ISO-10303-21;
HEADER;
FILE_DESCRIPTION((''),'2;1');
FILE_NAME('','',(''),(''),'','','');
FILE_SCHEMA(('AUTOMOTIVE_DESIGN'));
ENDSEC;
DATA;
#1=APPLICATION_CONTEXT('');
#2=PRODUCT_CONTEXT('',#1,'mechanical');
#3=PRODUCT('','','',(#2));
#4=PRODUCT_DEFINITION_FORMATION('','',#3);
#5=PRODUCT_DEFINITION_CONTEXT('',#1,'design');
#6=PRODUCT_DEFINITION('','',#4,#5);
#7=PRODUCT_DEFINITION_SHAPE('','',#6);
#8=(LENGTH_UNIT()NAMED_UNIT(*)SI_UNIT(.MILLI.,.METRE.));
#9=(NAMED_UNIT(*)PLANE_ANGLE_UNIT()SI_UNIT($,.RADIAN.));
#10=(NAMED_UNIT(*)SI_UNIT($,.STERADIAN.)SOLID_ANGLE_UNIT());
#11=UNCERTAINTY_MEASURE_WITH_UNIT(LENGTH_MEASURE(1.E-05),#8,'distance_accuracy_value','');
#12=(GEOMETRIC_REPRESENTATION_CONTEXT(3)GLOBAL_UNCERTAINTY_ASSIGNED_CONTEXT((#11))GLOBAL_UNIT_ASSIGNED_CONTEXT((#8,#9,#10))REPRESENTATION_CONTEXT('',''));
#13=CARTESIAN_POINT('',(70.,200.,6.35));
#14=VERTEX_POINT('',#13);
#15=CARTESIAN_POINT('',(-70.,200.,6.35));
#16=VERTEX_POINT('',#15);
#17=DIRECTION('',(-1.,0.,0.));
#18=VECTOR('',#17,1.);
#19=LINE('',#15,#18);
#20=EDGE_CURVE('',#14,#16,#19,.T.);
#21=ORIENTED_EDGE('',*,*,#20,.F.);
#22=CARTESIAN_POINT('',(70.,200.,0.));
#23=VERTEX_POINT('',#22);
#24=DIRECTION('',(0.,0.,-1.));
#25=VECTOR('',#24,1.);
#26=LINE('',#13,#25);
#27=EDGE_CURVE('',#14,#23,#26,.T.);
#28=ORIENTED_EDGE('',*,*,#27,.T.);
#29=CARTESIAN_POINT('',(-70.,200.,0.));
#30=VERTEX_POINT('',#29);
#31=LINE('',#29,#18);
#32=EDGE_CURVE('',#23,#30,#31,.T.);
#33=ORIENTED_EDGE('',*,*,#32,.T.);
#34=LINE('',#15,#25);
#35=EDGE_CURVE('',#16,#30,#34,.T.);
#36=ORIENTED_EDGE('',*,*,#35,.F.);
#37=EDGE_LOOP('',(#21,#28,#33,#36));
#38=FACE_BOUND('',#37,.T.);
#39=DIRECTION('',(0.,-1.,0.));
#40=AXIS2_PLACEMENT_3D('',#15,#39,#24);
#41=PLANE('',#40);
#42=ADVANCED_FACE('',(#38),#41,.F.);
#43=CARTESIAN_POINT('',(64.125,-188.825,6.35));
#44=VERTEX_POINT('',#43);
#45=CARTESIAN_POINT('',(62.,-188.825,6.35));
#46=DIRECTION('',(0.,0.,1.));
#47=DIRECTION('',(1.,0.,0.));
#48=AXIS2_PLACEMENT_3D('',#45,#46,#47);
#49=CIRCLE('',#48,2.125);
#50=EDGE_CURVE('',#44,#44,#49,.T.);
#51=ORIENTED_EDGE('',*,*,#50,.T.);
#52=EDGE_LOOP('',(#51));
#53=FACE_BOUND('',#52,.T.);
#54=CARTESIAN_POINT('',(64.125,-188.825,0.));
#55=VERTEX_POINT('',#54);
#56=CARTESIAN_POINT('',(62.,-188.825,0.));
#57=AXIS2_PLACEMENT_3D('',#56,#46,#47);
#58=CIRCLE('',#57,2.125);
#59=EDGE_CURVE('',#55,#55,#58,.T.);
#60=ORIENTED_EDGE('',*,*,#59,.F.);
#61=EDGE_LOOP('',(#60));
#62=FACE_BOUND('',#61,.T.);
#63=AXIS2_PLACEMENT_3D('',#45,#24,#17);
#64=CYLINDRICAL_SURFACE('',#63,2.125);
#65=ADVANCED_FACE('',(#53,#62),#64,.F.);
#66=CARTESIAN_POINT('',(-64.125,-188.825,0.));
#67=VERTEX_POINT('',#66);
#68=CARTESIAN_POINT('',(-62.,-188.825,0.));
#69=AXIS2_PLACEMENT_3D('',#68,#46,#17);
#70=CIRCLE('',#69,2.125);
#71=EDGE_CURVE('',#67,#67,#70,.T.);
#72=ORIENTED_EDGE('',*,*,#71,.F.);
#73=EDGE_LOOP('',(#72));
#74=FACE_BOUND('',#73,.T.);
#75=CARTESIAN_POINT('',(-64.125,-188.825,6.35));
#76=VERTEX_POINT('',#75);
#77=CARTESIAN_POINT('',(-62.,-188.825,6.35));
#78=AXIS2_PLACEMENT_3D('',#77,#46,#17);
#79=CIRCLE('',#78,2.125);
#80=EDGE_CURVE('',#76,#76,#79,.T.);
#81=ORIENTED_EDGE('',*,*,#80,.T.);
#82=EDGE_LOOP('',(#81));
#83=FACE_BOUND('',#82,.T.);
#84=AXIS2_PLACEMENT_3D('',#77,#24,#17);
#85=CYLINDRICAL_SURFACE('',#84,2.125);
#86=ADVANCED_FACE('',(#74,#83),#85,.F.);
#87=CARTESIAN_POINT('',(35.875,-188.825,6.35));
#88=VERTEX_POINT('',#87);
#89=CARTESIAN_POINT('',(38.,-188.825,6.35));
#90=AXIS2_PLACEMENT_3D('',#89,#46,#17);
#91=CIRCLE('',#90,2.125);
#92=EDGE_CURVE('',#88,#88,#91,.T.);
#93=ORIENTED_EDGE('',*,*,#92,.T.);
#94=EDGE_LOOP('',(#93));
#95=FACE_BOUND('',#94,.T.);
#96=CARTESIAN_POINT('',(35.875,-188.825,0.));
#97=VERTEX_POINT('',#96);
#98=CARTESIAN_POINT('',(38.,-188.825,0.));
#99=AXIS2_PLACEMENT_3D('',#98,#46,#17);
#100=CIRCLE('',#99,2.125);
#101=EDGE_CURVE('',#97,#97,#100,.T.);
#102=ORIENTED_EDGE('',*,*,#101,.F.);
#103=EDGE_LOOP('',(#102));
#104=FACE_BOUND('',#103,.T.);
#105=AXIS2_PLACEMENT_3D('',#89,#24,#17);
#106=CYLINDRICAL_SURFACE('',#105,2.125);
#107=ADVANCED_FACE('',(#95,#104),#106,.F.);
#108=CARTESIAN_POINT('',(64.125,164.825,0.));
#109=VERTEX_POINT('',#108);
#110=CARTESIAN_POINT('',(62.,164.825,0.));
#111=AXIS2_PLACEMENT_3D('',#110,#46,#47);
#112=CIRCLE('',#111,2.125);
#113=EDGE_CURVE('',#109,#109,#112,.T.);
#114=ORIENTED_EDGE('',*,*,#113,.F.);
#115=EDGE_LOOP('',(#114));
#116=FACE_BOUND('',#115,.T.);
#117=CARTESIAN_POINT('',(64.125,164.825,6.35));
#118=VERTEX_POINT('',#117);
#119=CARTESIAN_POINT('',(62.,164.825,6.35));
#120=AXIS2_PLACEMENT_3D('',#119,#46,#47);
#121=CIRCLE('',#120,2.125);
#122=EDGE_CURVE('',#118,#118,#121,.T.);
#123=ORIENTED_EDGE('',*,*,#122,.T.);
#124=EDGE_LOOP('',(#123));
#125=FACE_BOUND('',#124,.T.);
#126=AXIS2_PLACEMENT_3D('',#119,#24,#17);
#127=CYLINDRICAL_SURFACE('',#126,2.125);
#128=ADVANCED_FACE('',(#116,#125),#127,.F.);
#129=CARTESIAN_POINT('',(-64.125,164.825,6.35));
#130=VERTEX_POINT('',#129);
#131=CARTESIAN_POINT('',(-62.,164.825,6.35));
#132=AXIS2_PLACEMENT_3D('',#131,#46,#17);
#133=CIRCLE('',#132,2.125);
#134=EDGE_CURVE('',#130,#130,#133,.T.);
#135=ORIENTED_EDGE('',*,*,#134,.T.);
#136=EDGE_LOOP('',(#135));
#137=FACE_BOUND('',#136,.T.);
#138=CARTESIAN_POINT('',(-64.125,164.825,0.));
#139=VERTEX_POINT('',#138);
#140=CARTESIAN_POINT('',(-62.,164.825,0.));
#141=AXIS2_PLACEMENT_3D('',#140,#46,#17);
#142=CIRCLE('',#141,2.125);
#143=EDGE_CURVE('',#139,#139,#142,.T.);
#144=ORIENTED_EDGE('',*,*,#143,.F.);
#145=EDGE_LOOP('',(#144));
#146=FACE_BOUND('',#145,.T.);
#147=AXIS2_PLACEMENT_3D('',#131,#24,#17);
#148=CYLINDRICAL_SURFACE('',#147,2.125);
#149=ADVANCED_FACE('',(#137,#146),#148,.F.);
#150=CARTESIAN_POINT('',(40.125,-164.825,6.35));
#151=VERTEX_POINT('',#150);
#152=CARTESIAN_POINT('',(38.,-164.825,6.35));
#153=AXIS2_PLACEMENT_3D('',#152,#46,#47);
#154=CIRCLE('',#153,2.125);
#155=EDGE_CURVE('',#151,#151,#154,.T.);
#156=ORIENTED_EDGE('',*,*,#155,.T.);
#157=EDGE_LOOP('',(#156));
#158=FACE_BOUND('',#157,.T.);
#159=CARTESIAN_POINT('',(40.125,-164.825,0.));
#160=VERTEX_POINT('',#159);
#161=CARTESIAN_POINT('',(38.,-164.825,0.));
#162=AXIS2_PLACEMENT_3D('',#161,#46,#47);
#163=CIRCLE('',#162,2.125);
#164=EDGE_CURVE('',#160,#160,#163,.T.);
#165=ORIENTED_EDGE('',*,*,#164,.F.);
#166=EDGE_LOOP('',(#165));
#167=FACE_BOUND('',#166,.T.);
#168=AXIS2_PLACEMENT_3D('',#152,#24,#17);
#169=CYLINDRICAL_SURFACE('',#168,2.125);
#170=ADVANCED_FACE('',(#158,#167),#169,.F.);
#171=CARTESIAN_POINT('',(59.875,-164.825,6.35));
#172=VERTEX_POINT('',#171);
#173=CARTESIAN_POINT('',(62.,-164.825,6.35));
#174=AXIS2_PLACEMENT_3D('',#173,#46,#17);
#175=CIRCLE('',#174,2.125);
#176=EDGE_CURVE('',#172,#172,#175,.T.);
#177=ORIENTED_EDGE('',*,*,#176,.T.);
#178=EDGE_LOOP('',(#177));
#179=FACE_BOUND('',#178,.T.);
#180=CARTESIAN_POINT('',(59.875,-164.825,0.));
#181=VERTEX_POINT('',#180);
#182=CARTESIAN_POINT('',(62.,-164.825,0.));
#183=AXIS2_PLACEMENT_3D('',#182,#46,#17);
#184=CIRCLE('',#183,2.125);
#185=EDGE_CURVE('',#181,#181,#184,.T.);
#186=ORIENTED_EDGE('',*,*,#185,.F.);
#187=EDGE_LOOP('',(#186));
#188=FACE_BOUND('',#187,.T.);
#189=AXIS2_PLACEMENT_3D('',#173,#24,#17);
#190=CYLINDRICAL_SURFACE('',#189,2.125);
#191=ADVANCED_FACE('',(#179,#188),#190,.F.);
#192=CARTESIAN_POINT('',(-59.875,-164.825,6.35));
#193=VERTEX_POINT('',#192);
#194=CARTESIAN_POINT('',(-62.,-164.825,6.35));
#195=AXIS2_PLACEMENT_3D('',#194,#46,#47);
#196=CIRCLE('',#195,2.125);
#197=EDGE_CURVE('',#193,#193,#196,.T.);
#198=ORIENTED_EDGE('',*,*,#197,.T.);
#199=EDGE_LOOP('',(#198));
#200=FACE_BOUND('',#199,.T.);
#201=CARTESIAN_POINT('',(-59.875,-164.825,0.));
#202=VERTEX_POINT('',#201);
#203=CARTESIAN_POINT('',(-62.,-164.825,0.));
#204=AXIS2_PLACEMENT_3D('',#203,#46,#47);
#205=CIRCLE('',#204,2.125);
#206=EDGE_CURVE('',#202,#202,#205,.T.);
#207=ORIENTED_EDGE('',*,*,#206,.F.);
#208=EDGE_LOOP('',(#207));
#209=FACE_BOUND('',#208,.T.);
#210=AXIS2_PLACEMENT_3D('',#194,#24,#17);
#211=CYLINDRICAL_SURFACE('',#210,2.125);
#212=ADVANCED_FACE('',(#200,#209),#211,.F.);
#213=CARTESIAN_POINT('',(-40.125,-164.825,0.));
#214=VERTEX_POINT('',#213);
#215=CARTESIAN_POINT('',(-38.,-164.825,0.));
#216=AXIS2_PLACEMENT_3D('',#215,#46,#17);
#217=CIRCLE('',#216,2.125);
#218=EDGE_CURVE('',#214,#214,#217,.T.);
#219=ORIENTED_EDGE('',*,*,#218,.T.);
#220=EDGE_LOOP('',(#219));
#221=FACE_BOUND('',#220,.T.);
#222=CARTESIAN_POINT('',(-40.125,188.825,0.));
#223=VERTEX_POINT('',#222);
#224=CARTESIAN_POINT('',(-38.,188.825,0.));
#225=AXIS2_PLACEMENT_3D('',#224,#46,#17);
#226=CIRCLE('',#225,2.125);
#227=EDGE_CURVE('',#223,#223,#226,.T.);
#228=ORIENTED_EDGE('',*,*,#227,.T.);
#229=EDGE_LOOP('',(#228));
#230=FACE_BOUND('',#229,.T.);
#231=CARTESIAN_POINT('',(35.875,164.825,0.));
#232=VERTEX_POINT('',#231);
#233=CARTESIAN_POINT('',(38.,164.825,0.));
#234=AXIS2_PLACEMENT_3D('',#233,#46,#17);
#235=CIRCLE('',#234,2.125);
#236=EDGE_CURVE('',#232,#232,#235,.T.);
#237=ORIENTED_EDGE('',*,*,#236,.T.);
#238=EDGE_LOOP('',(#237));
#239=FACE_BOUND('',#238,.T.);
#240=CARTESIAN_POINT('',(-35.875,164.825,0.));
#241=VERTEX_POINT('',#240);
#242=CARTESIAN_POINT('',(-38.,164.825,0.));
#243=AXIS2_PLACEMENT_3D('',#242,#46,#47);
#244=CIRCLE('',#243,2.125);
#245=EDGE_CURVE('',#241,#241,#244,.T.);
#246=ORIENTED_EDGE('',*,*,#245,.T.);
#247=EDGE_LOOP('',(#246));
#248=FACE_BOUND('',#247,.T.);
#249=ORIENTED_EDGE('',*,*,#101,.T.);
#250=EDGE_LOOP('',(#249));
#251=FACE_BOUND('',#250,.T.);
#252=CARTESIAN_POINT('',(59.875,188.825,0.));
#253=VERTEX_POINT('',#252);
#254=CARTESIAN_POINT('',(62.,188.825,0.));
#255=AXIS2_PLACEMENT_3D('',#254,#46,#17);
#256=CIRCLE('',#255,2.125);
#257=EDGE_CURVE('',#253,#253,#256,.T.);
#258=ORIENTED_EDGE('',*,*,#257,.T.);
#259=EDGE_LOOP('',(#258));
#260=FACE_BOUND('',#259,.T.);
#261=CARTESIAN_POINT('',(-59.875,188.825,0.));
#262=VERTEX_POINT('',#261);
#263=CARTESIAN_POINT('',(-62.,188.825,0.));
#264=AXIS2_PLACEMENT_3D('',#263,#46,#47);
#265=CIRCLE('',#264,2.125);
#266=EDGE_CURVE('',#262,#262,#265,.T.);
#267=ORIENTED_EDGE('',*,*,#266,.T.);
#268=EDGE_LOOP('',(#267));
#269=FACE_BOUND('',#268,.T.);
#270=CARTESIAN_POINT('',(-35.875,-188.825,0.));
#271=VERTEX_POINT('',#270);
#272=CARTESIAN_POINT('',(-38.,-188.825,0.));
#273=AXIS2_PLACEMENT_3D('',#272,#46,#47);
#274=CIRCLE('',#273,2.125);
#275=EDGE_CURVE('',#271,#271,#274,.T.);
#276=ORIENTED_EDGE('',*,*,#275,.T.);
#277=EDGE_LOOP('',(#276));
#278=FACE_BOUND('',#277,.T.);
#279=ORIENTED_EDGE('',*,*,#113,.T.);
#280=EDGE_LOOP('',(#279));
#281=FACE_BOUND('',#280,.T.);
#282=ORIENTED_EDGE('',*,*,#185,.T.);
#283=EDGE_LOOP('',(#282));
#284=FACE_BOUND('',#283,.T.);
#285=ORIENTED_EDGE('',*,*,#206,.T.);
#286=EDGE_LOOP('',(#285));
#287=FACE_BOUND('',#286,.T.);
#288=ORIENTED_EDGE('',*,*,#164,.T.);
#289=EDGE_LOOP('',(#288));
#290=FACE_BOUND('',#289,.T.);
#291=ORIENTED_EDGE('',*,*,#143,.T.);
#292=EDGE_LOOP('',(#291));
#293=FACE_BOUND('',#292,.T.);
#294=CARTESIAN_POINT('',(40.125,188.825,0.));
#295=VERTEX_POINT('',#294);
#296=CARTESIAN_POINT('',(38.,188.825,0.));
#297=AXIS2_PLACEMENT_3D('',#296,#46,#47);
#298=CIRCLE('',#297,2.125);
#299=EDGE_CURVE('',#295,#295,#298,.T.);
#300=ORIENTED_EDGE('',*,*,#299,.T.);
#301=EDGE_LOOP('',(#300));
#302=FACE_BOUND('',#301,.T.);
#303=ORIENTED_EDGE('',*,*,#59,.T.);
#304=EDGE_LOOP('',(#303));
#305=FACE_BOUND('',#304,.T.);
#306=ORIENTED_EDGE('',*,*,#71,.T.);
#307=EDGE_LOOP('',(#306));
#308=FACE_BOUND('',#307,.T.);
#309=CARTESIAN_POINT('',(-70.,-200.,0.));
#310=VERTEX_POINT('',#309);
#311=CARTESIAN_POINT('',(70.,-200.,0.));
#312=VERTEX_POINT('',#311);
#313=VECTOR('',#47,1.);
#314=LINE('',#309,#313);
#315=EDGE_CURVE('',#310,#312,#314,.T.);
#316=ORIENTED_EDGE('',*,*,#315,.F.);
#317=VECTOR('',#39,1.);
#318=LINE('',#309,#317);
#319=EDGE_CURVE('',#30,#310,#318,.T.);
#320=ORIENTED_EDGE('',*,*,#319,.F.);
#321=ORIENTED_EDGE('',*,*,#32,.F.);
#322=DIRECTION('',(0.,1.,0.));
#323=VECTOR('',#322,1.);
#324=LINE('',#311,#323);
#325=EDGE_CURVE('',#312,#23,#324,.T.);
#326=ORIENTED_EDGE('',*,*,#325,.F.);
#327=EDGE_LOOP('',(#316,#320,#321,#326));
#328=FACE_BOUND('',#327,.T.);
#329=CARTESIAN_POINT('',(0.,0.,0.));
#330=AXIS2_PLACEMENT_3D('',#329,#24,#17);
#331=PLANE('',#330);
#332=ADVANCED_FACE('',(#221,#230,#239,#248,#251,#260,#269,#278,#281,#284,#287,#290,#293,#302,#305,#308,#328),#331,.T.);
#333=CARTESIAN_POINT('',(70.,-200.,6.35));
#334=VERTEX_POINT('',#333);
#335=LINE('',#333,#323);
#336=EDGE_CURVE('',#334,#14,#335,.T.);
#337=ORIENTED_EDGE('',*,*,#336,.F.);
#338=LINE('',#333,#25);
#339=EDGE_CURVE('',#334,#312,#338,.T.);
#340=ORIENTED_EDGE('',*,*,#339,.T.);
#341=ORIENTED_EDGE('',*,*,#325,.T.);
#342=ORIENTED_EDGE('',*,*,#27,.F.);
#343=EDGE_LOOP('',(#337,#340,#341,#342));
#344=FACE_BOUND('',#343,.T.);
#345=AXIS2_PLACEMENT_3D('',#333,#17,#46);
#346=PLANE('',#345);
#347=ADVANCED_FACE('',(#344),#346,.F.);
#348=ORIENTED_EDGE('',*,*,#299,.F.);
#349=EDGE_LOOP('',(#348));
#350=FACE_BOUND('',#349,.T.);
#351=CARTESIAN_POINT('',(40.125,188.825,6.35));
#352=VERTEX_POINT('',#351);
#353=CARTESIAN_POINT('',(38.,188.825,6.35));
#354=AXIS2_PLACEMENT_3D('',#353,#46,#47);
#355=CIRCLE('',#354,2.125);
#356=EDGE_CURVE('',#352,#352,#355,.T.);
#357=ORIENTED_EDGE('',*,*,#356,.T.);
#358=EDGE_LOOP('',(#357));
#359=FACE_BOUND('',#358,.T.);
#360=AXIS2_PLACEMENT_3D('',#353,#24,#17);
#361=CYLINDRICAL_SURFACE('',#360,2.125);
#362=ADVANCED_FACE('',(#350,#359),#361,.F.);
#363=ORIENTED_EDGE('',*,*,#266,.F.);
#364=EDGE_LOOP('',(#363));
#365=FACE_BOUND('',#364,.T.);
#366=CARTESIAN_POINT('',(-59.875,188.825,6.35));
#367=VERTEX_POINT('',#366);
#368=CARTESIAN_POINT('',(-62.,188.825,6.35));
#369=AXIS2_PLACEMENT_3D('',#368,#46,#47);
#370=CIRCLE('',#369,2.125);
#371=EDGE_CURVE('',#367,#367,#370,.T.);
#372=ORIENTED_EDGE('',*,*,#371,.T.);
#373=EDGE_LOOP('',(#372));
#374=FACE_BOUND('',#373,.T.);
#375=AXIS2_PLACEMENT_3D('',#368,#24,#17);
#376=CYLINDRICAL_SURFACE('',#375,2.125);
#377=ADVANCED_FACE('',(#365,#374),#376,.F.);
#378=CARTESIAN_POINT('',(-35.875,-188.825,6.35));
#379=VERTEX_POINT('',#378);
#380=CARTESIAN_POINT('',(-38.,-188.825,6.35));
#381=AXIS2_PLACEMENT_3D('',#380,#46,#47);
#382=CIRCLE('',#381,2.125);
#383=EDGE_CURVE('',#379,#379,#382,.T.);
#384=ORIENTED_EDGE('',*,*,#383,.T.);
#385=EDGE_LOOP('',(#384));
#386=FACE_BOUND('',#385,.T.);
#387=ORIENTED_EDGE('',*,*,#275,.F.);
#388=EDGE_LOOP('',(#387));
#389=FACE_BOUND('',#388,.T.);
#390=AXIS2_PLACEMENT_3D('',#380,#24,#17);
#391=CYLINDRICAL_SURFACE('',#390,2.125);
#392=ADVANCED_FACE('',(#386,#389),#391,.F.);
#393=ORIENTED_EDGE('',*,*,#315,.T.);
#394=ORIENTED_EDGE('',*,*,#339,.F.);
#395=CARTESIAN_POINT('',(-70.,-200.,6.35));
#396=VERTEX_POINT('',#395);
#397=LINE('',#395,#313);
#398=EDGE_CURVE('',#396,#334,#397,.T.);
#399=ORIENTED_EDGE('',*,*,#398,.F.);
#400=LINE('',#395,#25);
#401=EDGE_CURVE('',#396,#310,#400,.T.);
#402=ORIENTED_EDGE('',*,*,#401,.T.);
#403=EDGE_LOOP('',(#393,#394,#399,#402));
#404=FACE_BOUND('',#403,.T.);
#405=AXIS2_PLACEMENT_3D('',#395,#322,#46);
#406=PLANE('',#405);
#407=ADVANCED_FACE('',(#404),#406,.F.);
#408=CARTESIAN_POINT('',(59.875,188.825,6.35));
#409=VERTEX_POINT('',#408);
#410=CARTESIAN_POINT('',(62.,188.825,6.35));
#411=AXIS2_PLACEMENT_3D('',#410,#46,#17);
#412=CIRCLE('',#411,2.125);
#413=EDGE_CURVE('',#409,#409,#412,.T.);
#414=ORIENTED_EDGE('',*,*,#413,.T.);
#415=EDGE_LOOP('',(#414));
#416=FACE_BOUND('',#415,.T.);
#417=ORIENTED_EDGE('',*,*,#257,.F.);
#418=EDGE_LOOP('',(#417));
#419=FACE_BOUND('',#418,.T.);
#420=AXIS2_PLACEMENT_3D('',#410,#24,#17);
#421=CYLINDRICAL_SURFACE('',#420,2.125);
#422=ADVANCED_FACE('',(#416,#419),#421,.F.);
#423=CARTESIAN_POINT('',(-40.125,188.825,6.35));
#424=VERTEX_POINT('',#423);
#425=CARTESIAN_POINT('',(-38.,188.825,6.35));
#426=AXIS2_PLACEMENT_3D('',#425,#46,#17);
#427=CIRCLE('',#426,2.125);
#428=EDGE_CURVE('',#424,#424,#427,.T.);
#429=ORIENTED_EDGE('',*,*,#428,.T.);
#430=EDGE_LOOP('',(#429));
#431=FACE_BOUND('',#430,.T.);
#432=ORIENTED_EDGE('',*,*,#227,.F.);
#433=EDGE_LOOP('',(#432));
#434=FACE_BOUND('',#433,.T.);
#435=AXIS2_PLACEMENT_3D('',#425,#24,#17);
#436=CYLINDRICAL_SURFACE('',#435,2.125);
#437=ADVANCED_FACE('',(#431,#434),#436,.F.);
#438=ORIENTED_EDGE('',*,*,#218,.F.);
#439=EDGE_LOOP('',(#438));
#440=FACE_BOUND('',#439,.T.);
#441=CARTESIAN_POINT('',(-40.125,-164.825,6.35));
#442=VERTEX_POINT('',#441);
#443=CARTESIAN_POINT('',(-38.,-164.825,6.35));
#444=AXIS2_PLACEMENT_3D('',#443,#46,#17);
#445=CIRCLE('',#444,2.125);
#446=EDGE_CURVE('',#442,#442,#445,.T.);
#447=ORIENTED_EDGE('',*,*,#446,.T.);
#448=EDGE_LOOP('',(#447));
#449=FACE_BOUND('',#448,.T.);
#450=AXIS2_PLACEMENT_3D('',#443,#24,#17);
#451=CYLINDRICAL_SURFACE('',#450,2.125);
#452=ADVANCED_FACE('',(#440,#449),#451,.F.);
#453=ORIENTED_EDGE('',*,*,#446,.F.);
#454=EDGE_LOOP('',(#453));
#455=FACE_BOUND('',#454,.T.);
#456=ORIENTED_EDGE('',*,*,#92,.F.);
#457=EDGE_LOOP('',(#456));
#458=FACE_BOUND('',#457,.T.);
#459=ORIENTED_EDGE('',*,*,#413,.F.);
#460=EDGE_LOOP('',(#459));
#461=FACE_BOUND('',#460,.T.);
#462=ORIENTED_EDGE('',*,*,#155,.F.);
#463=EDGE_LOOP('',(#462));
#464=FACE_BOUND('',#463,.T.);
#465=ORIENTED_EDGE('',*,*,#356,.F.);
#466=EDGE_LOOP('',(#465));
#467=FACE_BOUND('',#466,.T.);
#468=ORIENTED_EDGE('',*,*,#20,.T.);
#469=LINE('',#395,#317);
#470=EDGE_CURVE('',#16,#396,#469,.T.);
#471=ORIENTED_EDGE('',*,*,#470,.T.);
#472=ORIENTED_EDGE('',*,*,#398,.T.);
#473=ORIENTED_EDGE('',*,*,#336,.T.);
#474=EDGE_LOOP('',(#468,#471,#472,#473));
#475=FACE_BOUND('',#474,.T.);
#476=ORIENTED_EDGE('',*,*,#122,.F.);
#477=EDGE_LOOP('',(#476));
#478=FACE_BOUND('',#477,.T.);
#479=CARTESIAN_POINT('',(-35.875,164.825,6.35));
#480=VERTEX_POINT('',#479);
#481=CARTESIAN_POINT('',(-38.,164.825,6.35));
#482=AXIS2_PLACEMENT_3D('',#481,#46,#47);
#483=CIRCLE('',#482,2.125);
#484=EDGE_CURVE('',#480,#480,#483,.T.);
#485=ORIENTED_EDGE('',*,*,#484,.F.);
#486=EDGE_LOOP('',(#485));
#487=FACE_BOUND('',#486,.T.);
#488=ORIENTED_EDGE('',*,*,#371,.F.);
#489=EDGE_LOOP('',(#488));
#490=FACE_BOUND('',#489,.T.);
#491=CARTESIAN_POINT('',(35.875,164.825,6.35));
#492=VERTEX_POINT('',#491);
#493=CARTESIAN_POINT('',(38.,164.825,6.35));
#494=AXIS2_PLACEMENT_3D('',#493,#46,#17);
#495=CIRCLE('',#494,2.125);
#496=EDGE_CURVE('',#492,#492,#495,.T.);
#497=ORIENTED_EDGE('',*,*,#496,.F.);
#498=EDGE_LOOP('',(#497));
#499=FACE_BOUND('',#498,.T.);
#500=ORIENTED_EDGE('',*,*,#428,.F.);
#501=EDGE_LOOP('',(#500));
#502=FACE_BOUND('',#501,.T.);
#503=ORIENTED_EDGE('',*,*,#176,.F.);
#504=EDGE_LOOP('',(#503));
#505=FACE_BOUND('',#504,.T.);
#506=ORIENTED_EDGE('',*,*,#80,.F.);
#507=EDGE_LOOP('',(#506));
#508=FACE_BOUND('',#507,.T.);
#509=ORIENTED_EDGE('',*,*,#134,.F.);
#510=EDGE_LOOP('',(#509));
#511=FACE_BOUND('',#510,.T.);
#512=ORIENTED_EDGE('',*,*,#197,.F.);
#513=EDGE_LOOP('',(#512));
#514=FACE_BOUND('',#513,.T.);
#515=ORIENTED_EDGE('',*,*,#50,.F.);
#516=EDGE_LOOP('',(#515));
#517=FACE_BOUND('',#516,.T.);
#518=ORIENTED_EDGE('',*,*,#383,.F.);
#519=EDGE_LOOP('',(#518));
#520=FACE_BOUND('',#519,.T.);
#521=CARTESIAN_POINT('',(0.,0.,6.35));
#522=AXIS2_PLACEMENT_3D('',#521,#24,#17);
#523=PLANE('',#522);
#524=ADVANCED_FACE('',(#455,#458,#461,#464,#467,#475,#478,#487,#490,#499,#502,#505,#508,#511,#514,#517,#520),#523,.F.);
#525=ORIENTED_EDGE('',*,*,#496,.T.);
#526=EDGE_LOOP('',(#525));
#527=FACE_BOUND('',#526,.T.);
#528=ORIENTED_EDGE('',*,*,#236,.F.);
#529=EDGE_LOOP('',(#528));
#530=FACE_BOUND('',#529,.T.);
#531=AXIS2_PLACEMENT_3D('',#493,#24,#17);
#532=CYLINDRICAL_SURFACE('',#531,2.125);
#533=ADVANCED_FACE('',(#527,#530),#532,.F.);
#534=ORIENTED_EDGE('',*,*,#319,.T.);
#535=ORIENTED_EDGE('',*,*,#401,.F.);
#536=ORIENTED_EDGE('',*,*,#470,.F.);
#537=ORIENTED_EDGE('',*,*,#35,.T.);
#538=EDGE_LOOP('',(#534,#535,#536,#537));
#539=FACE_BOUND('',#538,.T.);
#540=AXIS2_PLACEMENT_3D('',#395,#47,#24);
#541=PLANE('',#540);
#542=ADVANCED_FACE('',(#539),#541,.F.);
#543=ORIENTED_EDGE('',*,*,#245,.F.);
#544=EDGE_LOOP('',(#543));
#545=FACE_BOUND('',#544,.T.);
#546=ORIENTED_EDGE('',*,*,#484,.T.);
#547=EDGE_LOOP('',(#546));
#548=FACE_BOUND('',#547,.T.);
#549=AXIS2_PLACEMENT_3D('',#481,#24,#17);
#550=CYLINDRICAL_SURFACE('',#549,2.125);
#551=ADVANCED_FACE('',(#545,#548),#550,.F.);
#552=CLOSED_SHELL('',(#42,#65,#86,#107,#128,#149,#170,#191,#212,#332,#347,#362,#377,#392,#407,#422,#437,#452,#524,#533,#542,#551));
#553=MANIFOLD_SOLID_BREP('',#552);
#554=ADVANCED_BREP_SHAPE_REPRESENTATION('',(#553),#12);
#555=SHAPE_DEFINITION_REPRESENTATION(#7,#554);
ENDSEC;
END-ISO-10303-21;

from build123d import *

# Parameters (mm, degrees)
SKETCH1_W           = 140
SKETCH1_H           = 400
SKETCH1_R           = 2.125
BOSS_EXTRUDE1_DEPTH = 6.35


with BuildPart() as part:
    # Sketch1 → Boss-Extrude1 (new body)
    with BuildSketch(Plane.XY):
        Rectangle(SKETCH1_W, SKETCH1_H)
        with Locations((-62, 188.825)):
            Circle(SKETCH1_R, mode=Mode.SUBTRACT)
        with Locations(Location((-38, 188.825, 0), (0, 0, 180))):
            Circle(SKETCH1_R, mode=Mode.SUBTRACT)
        with Locations((-38, 164.825)):
            Circle(SKETCH1_R, mode=Mode.SUBTRACT)
        with Locations(Location((-62, 164.825, 0), (0, 0, 180))):
            Circle(SKETCH1_R, mode=Mode.SUBTRACT)
        with Locations(Location((38, 164.825, 0), (0, 0, 180))):
            Circle(SKETCH1_R, mode=Mode.SUBTRACT)
        with Locations((62, 164.825)):
            Circle(SKETCH1_R, mode=Mode.SUBTRACT)
        with Locations((38, 188.825)):
            Circle(SKETCH1_R, mode=Mode.SUBTRACT)
        with Locations(Location((62, 188.825, 0), (0, 0, 180))):
            Circle(SKETCH1_R, mode=Mode.SUBTRACT)
        with Locations((62, -188.825)):
            Circle(SKETCH1_R, mode=Mode.SUBTRACT)
        with Locations(Location((38, -188.825, 0), (0, 0, 180))):
            Circle(SKETCH1_R, mode=Mode.SUBTRACT)
        with Locations(Location((62, -164.825, 0), (0, 0, 180))):
            Circle(SKETCH1_R, mode=Mode.SUBTRACT)
        with Locations((38, -164.825)):
            Circle(SKETCH1_R, mode=Mode.SUBTRACT)
        with Locations((-62, -164.825)):
            Circle(SKETCH1_R, mode=Mode.SUBTRACT)
        with Locations(Location((-38, -164.825, 0), (0, 0, 180))):
            Circle(SKETCH1_R, mode=Mode.SUBTRACT)
        with Locations((-38, -188.825)):
            Circle(SKETCH1_R, mode=Mode.SUBTRACT)
        with Locations(Location((-62, -188.825, 0), (0, 0, 180))):
            Circle(SKETCH1_R, mode=Mode.SUBTRACT)
    extrude(amount=BOSS_EXTRUDE1_DEPTH)


solid = part.part
